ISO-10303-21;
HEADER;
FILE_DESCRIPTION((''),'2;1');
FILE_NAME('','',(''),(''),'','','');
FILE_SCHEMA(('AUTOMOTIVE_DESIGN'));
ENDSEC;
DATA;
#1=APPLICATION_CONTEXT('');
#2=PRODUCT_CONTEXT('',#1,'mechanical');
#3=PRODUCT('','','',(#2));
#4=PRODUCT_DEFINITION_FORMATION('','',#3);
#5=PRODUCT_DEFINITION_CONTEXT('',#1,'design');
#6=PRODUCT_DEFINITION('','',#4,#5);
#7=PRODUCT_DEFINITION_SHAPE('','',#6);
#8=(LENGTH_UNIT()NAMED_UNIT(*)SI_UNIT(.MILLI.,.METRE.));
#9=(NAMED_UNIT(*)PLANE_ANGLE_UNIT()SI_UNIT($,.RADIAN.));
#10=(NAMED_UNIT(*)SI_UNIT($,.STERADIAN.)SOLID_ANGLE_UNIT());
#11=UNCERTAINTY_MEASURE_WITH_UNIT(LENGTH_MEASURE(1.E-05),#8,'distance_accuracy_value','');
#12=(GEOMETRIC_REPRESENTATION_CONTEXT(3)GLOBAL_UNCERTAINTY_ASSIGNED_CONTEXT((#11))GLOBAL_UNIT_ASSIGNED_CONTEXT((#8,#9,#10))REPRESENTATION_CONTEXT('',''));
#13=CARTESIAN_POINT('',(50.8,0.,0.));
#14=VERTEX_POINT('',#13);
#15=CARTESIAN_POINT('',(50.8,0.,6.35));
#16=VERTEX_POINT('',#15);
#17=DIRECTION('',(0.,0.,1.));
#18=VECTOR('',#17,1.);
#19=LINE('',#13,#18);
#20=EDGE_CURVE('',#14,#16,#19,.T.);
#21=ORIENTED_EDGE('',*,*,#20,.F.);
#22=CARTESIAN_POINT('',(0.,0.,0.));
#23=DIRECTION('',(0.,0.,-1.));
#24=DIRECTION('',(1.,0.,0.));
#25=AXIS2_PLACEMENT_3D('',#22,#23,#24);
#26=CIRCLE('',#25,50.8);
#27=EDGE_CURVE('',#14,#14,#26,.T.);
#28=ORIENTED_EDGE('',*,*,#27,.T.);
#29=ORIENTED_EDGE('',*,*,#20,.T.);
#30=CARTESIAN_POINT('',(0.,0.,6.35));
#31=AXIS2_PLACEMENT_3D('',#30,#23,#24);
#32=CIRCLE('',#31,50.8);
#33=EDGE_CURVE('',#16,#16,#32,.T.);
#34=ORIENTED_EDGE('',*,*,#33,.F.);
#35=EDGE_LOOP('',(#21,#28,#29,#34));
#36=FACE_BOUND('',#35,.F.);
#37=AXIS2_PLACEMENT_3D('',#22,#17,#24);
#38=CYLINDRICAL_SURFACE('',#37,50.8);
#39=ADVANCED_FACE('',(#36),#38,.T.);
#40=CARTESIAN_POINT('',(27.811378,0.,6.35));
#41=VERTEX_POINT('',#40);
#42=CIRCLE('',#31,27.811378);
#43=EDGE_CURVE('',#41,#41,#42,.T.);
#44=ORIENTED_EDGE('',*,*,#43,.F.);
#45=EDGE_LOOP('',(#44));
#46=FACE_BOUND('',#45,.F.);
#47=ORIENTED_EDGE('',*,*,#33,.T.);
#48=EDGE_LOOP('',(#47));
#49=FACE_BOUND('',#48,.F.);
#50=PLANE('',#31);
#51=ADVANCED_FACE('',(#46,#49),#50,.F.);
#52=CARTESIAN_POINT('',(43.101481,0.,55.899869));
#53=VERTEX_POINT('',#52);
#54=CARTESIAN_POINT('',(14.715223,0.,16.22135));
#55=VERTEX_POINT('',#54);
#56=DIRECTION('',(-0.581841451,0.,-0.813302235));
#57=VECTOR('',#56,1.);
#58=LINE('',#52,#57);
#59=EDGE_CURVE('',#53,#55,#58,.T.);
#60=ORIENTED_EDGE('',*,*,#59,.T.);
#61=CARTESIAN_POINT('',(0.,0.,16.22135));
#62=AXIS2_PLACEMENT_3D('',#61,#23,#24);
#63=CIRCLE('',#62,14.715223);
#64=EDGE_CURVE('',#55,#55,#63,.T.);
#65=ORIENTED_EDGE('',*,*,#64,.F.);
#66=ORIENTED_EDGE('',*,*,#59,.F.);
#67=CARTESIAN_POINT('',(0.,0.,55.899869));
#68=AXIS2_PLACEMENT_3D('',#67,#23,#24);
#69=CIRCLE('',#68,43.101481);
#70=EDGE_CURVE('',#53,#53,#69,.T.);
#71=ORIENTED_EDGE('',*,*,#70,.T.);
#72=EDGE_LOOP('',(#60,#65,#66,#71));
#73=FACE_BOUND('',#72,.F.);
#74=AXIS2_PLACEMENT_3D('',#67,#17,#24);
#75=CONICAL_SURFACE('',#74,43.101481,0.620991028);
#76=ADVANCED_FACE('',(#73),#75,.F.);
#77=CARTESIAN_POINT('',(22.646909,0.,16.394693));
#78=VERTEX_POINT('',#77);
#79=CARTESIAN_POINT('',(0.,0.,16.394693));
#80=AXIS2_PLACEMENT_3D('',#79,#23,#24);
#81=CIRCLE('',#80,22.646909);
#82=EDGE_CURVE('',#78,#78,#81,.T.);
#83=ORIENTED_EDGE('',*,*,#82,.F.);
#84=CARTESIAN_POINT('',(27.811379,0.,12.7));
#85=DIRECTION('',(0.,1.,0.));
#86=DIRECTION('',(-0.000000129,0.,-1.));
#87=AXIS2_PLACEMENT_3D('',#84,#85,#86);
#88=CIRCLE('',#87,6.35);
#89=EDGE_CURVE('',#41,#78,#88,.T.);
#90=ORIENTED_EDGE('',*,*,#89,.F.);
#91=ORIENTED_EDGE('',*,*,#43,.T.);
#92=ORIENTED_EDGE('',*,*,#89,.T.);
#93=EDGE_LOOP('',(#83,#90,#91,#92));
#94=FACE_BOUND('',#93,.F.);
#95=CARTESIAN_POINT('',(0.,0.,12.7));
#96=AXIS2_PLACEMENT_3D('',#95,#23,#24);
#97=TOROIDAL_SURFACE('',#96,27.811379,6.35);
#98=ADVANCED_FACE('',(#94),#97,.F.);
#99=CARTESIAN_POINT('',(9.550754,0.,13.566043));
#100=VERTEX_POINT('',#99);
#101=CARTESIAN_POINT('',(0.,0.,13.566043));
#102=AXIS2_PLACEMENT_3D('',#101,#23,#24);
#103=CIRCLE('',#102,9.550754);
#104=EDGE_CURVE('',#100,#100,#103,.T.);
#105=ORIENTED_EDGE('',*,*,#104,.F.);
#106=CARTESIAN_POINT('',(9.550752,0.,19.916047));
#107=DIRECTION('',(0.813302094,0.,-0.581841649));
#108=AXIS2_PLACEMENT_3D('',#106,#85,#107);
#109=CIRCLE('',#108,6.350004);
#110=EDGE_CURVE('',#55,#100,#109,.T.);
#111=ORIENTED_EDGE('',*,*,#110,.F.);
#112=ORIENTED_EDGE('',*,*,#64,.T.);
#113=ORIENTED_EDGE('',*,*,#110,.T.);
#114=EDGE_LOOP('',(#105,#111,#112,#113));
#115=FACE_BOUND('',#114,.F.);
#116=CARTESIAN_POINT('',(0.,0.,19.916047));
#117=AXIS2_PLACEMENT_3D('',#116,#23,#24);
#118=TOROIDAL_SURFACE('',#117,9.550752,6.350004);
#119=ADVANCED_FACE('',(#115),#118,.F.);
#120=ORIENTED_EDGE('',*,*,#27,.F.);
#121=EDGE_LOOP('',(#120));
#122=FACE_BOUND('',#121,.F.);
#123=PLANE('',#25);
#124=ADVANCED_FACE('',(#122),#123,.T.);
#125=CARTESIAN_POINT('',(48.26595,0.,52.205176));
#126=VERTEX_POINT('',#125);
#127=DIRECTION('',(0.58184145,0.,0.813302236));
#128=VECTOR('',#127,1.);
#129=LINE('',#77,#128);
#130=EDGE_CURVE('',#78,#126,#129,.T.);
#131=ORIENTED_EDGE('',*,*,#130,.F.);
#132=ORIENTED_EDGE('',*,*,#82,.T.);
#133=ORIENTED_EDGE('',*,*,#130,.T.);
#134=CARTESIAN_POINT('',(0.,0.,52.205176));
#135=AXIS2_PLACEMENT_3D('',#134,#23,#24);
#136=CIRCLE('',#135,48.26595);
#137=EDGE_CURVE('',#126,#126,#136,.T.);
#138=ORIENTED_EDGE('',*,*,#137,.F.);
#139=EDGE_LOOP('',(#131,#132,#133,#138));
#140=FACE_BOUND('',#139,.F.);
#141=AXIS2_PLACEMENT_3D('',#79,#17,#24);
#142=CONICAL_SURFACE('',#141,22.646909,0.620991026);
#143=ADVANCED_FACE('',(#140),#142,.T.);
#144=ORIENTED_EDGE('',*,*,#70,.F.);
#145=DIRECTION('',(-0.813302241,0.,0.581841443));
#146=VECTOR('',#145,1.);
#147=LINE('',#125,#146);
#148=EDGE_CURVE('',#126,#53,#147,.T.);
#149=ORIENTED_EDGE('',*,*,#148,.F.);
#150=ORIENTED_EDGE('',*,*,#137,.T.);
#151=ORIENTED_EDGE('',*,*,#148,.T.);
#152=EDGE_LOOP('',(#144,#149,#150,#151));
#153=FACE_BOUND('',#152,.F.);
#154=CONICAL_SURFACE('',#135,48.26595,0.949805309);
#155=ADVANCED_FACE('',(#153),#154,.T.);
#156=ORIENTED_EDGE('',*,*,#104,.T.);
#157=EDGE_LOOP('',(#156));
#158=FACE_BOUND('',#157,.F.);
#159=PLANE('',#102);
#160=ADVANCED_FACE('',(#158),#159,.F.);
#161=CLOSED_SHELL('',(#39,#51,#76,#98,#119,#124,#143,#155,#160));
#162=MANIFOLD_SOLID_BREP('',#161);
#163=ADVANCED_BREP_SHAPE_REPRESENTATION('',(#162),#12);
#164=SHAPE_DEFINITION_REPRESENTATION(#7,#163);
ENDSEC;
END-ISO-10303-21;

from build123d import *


with BuildPart() as f1:
    # F0 (on Front) → F1 (revolve)
    with BuildSketch(Plane.XZ):
        with BuildLine():
            Line((0, 13.566043), (0, 0))
            Line((0, 0), (50.8, 0))
            Line((50.8, 0), (50.8, 6.35))
            Line((50.8, 6.35), (27.811378, 6.35))
            ThreePointArc((27.811378, 6.35), (22.164087, 9.796451), (22.646909, 16.394693))
            Line((22.646909, 16.394693), (48.26595, 52.205176))
            Line((48.26595, 52.205176), (43.101481, 55.899869))
            Line((43.101481, 55.899869), (14.715223, 16.22135))
            ThreePointArc((14.715223, 16.22135), (12.454303, 14.268752), (9.550754, 13.566043))
            Line((9.550754, 13.566043), (0, 13.566043))
        make_face()
    revolve(axis=Axis((0, 0, 6.783022), (0, 0, -1)))


solid = f1.part
